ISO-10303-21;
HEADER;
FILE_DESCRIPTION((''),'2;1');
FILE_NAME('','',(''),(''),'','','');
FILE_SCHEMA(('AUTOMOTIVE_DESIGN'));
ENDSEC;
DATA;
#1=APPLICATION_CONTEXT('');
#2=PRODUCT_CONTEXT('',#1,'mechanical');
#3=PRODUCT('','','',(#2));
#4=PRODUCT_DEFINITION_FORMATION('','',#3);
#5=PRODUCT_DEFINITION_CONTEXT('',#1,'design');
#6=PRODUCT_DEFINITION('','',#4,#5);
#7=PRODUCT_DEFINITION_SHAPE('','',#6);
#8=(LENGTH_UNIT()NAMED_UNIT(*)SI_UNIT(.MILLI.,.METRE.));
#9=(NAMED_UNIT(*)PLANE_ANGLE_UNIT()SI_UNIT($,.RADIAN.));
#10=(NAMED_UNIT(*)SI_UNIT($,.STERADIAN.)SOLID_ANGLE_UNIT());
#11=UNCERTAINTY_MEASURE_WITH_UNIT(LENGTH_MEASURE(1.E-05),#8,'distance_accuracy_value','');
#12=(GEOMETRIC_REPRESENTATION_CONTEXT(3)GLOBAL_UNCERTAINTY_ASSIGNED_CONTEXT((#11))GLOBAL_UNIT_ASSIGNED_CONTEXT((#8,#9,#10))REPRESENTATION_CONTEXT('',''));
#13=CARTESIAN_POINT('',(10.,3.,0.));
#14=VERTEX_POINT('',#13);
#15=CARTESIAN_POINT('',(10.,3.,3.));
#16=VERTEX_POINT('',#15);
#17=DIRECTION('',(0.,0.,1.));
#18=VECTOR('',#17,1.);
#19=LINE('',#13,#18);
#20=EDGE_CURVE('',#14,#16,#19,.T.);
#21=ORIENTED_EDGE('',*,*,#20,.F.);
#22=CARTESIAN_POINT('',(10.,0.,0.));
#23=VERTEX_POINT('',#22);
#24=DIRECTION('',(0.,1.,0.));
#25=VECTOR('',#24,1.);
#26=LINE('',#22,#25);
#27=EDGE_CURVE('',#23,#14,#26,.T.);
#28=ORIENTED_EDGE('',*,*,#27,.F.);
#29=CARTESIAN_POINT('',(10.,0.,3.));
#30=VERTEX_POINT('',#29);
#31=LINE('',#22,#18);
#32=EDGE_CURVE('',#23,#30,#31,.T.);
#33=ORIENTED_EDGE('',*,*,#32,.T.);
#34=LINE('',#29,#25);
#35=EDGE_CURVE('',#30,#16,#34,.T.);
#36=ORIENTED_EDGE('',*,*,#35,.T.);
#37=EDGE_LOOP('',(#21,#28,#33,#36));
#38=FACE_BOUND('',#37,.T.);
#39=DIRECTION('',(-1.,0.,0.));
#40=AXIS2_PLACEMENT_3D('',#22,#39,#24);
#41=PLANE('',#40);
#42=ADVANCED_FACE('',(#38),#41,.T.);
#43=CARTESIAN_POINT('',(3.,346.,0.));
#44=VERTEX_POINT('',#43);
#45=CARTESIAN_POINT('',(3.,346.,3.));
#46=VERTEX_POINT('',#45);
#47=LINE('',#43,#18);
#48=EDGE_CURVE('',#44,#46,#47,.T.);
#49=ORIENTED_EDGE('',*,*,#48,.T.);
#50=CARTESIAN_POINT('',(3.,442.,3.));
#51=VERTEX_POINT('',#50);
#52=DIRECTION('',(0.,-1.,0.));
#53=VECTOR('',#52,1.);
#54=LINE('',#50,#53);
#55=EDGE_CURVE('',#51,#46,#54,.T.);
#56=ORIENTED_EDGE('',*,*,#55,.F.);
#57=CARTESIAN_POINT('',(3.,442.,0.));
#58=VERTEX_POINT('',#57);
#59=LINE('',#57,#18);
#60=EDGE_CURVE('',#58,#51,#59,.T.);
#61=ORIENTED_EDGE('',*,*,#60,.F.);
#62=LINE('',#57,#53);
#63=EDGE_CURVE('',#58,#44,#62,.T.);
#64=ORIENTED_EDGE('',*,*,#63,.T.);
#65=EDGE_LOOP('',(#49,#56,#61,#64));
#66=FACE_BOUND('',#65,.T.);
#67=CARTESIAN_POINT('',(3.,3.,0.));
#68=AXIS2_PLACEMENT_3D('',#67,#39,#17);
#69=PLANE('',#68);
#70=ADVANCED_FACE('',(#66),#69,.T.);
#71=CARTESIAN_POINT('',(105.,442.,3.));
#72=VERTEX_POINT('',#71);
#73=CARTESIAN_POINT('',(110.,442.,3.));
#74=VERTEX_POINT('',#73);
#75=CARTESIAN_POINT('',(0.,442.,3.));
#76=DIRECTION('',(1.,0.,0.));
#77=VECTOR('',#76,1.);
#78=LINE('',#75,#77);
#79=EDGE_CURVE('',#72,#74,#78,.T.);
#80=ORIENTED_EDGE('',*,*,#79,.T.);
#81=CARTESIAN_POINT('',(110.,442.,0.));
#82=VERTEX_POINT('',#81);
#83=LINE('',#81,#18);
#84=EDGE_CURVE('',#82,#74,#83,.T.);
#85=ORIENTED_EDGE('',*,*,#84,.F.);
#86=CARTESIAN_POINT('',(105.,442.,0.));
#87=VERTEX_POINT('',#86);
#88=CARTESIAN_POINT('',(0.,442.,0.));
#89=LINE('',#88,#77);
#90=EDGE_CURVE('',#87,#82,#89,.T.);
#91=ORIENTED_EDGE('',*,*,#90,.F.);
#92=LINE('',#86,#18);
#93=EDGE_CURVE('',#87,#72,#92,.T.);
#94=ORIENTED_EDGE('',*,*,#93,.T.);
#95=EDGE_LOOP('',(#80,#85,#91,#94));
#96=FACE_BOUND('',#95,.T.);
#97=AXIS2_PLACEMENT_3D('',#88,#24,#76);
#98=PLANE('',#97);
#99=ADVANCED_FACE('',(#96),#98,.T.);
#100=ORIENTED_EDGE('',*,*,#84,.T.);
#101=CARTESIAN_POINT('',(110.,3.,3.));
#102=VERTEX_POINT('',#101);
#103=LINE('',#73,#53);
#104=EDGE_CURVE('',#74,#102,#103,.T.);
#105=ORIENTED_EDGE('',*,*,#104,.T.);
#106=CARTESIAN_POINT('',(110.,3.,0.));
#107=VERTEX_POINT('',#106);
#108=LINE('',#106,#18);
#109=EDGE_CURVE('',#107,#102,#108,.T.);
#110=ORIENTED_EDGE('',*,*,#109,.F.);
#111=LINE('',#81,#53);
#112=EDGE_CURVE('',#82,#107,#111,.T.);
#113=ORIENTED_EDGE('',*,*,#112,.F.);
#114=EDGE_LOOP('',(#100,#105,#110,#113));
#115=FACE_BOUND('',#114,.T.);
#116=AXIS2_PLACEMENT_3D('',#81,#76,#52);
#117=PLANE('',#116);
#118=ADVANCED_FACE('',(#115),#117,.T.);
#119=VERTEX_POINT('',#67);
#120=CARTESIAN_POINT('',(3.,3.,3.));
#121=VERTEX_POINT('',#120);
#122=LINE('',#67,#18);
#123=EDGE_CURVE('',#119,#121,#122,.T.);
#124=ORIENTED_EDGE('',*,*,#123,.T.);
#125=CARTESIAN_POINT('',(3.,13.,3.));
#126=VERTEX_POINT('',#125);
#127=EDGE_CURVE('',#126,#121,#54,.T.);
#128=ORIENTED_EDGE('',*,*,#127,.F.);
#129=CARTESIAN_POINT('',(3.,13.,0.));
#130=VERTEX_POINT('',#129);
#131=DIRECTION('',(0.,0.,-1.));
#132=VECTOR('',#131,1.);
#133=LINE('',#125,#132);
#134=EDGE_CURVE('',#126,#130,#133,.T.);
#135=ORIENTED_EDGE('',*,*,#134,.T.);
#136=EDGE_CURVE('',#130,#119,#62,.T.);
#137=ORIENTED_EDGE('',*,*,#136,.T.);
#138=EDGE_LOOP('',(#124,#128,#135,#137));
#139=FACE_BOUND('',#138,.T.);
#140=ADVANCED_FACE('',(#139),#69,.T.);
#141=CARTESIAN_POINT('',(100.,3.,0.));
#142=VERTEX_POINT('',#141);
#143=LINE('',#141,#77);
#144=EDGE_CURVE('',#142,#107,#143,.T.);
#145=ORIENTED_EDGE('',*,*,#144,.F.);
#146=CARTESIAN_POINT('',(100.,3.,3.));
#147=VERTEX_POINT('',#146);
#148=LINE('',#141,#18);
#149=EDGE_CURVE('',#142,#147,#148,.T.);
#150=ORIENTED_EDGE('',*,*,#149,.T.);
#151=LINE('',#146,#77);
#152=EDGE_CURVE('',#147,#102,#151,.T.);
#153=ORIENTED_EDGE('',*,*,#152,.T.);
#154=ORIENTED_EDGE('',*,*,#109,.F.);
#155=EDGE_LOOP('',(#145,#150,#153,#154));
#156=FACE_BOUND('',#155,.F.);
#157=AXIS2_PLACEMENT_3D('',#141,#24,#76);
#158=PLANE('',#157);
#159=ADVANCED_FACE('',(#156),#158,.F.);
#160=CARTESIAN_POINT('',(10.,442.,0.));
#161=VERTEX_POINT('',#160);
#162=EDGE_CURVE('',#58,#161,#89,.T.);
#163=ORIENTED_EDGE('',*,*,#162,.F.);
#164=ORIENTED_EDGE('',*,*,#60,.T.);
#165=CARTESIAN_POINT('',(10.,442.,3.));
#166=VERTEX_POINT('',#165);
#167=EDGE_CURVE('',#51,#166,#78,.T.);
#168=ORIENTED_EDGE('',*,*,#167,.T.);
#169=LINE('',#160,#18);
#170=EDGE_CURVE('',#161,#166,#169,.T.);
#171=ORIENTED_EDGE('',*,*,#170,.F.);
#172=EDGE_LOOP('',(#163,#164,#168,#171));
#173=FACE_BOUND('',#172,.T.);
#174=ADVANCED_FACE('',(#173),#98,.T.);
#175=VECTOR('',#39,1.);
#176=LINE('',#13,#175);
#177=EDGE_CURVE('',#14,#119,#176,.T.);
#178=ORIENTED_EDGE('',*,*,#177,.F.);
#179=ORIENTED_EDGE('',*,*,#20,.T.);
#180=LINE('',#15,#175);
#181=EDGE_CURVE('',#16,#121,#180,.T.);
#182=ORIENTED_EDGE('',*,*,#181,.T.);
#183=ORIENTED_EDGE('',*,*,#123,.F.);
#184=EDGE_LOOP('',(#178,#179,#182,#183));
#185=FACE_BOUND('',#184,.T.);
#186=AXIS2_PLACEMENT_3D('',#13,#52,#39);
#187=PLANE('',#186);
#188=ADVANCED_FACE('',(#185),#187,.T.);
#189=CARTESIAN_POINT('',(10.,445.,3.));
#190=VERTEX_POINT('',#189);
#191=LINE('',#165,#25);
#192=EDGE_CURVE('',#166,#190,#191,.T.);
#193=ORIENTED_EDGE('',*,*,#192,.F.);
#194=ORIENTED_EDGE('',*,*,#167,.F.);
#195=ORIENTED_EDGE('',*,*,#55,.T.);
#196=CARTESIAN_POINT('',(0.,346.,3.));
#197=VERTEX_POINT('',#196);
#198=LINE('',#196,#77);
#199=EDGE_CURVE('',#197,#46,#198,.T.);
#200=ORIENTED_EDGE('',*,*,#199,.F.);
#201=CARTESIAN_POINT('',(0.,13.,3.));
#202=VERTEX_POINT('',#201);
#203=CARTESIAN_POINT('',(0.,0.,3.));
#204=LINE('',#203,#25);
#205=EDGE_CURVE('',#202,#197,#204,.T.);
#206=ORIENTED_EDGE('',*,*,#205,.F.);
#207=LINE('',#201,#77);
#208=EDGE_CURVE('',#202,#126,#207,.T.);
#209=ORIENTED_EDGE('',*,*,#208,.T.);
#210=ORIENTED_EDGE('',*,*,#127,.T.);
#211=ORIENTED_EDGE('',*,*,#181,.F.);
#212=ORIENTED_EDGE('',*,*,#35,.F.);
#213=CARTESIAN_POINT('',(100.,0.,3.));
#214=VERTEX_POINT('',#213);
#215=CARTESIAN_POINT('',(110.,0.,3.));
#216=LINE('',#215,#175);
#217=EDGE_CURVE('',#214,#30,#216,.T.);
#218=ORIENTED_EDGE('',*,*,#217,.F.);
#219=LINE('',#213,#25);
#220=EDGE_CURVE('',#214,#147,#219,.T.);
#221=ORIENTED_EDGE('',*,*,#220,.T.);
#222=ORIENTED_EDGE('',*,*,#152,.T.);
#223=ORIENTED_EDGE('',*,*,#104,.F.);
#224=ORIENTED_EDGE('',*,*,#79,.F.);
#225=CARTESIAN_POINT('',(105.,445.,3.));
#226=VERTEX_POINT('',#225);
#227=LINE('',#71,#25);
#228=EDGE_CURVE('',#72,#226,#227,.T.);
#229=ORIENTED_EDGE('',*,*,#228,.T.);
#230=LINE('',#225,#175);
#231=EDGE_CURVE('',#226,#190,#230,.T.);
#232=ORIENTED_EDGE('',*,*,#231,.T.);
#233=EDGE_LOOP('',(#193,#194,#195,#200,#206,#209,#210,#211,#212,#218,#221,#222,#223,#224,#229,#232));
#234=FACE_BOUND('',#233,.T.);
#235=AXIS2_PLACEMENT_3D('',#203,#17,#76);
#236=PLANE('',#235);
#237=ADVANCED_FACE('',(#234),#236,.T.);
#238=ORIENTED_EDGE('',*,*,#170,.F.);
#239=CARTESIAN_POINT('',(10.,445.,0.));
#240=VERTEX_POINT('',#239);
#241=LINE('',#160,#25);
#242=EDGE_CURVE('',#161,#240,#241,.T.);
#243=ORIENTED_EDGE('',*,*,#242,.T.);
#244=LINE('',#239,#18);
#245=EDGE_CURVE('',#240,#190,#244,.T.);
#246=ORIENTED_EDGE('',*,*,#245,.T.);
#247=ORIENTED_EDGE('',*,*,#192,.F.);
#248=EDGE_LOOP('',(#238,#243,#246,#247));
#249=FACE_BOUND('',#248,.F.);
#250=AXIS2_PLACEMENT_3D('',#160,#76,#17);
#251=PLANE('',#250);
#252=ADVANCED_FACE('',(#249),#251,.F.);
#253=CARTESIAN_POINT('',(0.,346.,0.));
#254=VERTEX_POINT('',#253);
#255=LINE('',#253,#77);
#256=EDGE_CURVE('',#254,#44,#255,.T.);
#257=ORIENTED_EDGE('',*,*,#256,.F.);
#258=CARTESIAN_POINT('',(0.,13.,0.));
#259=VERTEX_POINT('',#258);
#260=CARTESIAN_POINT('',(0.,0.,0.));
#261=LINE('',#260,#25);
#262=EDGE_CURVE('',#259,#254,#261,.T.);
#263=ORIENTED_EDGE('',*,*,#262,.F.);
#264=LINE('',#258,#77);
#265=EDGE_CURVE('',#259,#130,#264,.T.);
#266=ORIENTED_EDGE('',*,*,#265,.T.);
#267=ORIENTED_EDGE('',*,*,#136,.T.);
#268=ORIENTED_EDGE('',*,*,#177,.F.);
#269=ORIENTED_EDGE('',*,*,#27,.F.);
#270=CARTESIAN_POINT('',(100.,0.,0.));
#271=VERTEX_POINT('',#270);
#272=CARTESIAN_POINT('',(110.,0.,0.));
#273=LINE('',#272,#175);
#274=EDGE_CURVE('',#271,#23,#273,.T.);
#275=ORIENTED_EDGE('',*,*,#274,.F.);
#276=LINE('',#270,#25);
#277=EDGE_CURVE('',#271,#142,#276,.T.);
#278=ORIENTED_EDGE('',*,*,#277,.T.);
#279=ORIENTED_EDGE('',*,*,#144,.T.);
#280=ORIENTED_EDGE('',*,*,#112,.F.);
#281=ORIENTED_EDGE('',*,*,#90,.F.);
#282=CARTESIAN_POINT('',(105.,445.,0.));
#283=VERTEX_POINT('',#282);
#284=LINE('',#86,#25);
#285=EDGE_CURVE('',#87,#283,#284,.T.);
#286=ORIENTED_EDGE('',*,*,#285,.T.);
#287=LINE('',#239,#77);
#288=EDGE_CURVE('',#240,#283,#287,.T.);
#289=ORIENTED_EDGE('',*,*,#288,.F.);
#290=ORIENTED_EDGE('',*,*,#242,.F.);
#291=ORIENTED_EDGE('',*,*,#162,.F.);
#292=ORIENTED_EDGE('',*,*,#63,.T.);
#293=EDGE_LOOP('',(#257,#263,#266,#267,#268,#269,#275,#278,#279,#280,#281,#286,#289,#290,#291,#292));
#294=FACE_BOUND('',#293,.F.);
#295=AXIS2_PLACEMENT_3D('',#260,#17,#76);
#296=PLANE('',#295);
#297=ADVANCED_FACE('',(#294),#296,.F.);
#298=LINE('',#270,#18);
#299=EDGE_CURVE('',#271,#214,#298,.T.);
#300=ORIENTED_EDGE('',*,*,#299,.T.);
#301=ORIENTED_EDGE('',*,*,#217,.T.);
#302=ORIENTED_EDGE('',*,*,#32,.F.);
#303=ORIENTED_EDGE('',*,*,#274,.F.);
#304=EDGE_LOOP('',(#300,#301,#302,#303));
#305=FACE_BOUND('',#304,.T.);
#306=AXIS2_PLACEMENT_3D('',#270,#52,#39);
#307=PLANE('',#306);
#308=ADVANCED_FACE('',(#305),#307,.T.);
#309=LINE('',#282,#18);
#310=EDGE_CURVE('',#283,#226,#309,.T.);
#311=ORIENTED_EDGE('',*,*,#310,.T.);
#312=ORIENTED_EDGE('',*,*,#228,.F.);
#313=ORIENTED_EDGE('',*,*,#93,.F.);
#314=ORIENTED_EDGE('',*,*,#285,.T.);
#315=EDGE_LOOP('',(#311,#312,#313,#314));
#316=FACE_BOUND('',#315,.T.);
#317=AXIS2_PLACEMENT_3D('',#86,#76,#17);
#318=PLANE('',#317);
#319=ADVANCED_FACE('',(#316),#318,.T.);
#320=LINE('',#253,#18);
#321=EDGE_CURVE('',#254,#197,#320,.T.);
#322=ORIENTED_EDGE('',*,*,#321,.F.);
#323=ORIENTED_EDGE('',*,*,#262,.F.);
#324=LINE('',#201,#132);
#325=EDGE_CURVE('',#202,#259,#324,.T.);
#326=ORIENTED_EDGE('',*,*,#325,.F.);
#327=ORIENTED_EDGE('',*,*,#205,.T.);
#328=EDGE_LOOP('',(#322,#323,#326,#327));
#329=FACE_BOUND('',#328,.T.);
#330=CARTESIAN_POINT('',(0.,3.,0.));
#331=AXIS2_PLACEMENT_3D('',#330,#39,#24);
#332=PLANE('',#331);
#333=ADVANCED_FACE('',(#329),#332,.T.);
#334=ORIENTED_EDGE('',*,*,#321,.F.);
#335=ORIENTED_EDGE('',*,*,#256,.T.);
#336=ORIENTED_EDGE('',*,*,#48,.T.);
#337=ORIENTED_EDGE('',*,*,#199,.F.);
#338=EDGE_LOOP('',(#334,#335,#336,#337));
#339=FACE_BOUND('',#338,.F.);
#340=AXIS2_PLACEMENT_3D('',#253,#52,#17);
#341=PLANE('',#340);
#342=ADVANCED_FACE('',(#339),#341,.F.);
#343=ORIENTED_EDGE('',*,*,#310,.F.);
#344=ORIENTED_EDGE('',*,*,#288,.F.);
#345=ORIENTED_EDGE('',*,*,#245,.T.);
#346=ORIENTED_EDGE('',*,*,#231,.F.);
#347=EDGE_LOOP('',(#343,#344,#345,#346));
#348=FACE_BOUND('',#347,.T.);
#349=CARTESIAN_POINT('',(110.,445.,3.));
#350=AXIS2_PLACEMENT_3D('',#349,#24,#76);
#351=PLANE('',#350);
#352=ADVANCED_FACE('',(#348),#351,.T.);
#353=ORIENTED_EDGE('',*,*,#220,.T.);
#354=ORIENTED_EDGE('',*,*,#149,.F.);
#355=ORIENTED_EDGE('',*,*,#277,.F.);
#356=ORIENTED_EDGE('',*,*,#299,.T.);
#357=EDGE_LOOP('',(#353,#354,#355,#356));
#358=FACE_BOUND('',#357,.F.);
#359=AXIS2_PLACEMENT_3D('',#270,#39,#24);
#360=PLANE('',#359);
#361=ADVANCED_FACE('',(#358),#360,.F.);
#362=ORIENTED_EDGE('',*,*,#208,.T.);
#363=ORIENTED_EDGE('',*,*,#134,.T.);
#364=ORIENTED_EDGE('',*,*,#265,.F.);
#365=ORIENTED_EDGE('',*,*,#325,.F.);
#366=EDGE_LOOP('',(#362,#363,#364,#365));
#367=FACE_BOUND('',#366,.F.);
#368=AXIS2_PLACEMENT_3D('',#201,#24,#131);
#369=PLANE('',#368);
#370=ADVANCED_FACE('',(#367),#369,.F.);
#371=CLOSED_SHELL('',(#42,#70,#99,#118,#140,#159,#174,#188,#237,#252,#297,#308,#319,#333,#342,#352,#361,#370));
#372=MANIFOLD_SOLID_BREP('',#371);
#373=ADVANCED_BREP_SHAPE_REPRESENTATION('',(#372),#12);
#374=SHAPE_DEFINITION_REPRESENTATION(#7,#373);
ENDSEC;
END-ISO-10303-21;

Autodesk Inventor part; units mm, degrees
ref_plane "YZ Plane" through (0, 0, 0) normal (1, 0, 0) x (0, 1, 0)
ref_plane "XZ Plane" through (0, 0, 0) normal (0, 1, 0) x (-1, 0, 0)
ref_plane "XY Plane" through (0, 0, 0) normal (0, 0, 1) x (1, 0, 0)
sketch "Sketch1" plane through (0, 0, 0) normal (0, 0, 1) x (1, 0, 0)
  line L0 (0, 0) -> (0, 442)
  line L1 (0, 442) -> (110, 442)
  line L2 (110, 442) -> (110, 0)
  line L3 (110, 0) -> (0, 0)
  line L4 (10, 0) -> (10, 3)
  line L5 (10, 3) -> (0, 3)
  line L6 (100, 0) -> (100, 3)
  line L7 (100, 3) -> (110, 3)
  dimension "d0" = 442
  dimension "d1" = 110
  dimension "d4" = 3
  dimension "d5" = 90
  dimension "d6" = 10
extrude "Extrusion1" add sketch "Sketch1" along normal blind 3 contours L0 L1 L2 L7 L6 L3 L4 L5
sketch "Sketch4" plane through (0, 3, 0) normal (-1, 0, 0) x (0, 0, 1)
  line L0 (3, 439) -> (3, 0) projected
  line L1 (3, 10) -> (0, 10)
  line L2 (0, 0) -> (3, 0) projected
  line L3 (0, 439) -> (0, 0) projected
  line L4 (0, 343) -> (3.087, 343)
  line L5 (0, 439) -> (3, 439) projected
  point P0 (0, -3)
  point P1 (3, 343)
  dimension "d7" = 10
  dimension "d11" = 333
extrude "Extrusion2" cut sketch "Sketch4" against normal blind 3 contours L0 L2 L3 L1 | L4 L3 L5 L0
sketch "Sketch5" plane through (110, 442, 3) normal (0, 1, 0) x (1, 0, 0)
  line L0 (-10, 3) -> (0, 3) projected
  line L1 (-5, 3) -> (-5, 0)
  line L2 (-10, 0) -> (0, 0) projected
  line L3 (-100, 3) -> (-10, 3) projected
  line L4 (-100, 3) -> (-100, 0)
  line L5 (-100, 0) -> (-10, 0) projected
  line L6 (-110, 0) -> (-110, 3) projected
  dimension "d12" = 10
extrude "Extrusion3" add sketch "Sketch5" along normal blind 3
properties part number "lifting cover" material "PMMA Plastic"
